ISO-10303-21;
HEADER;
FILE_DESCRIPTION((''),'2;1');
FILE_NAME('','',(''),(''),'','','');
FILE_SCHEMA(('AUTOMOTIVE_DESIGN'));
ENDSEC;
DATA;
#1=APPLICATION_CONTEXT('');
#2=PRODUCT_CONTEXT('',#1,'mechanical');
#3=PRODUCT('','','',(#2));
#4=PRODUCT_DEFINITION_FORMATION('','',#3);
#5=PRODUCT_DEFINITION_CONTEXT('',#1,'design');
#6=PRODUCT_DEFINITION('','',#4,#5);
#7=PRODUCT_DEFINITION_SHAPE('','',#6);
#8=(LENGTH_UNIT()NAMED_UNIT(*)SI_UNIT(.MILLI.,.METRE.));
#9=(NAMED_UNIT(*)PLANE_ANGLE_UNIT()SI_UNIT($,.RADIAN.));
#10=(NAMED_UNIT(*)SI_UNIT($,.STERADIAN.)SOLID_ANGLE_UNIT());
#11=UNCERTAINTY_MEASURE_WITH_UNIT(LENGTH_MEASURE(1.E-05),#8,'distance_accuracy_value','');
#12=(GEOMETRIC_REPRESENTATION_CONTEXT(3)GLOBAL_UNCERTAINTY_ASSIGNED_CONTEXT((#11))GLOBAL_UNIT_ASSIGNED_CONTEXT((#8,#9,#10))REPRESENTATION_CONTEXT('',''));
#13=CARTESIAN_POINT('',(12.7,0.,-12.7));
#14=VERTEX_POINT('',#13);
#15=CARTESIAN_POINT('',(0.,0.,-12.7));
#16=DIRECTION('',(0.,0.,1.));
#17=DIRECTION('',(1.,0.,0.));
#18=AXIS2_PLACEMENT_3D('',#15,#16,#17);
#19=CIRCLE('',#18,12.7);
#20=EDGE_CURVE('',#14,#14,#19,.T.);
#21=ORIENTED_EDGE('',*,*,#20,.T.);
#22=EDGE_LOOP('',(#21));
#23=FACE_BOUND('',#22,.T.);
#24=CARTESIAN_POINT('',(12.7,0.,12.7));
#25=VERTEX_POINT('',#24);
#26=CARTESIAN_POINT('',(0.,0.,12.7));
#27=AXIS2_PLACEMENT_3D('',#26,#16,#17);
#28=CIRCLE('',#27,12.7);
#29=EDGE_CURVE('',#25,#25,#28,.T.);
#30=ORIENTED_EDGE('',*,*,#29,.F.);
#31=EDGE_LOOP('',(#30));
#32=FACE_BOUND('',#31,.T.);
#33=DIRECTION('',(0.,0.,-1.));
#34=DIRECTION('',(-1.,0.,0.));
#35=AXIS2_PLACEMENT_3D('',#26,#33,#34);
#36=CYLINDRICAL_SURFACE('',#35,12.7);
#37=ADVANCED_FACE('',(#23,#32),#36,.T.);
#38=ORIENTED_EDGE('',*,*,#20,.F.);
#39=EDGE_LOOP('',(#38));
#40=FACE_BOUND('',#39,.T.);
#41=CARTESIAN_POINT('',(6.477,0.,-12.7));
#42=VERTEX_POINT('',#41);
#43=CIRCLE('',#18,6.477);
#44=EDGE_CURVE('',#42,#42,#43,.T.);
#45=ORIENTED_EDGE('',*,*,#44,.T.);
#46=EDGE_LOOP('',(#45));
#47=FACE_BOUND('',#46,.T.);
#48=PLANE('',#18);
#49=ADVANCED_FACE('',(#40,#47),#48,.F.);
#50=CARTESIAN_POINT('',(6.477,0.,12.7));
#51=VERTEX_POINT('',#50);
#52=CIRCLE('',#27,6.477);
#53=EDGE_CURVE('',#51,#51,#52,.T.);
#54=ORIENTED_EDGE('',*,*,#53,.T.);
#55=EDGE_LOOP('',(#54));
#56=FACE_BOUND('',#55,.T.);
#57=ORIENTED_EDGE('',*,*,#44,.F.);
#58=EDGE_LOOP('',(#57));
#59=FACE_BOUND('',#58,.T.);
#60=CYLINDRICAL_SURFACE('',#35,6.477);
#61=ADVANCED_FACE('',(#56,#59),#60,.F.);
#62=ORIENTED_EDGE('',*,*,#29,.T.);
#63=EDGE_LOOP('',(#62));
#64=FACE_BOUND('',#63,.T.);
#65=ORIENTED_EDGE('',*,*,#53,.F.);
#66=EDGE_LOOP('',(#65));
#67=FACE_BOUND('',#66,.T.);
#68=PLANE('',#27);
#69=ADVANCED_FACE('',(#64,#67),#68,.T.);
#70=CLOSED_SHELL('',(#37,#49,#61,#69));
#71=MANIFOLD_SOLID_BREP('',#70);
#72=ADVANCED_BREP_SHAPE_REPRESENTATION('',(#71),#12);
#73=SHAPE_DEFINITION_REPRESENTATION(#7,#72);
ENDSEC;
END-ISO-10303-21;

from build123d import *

# Parameters (mm, degrees)
SKETCH1_R           = 12.7
SKETCH1_R_2         = 6.477
EXTRUDE1_DEPTH      = 12.7
EXTRUDE1_DEPTH_BACK = 12.7


with BuildPart() as part:
    # Sketch1 → Extrude1 (new body, two sides)
    with BuildSketch(Plane.XY) as extrude1_sk:
        Circle(SKETCH1_R)
        Circle(SKETCH1_R_2, mode=Mode.SUBTRACT)
    extrude(amount=EXTRUDE1_DEPTH)
    extrude(extrude1_sk.sketch, amount=-EXTRUDE1_DEPTH_BACK)


solid = part.part
